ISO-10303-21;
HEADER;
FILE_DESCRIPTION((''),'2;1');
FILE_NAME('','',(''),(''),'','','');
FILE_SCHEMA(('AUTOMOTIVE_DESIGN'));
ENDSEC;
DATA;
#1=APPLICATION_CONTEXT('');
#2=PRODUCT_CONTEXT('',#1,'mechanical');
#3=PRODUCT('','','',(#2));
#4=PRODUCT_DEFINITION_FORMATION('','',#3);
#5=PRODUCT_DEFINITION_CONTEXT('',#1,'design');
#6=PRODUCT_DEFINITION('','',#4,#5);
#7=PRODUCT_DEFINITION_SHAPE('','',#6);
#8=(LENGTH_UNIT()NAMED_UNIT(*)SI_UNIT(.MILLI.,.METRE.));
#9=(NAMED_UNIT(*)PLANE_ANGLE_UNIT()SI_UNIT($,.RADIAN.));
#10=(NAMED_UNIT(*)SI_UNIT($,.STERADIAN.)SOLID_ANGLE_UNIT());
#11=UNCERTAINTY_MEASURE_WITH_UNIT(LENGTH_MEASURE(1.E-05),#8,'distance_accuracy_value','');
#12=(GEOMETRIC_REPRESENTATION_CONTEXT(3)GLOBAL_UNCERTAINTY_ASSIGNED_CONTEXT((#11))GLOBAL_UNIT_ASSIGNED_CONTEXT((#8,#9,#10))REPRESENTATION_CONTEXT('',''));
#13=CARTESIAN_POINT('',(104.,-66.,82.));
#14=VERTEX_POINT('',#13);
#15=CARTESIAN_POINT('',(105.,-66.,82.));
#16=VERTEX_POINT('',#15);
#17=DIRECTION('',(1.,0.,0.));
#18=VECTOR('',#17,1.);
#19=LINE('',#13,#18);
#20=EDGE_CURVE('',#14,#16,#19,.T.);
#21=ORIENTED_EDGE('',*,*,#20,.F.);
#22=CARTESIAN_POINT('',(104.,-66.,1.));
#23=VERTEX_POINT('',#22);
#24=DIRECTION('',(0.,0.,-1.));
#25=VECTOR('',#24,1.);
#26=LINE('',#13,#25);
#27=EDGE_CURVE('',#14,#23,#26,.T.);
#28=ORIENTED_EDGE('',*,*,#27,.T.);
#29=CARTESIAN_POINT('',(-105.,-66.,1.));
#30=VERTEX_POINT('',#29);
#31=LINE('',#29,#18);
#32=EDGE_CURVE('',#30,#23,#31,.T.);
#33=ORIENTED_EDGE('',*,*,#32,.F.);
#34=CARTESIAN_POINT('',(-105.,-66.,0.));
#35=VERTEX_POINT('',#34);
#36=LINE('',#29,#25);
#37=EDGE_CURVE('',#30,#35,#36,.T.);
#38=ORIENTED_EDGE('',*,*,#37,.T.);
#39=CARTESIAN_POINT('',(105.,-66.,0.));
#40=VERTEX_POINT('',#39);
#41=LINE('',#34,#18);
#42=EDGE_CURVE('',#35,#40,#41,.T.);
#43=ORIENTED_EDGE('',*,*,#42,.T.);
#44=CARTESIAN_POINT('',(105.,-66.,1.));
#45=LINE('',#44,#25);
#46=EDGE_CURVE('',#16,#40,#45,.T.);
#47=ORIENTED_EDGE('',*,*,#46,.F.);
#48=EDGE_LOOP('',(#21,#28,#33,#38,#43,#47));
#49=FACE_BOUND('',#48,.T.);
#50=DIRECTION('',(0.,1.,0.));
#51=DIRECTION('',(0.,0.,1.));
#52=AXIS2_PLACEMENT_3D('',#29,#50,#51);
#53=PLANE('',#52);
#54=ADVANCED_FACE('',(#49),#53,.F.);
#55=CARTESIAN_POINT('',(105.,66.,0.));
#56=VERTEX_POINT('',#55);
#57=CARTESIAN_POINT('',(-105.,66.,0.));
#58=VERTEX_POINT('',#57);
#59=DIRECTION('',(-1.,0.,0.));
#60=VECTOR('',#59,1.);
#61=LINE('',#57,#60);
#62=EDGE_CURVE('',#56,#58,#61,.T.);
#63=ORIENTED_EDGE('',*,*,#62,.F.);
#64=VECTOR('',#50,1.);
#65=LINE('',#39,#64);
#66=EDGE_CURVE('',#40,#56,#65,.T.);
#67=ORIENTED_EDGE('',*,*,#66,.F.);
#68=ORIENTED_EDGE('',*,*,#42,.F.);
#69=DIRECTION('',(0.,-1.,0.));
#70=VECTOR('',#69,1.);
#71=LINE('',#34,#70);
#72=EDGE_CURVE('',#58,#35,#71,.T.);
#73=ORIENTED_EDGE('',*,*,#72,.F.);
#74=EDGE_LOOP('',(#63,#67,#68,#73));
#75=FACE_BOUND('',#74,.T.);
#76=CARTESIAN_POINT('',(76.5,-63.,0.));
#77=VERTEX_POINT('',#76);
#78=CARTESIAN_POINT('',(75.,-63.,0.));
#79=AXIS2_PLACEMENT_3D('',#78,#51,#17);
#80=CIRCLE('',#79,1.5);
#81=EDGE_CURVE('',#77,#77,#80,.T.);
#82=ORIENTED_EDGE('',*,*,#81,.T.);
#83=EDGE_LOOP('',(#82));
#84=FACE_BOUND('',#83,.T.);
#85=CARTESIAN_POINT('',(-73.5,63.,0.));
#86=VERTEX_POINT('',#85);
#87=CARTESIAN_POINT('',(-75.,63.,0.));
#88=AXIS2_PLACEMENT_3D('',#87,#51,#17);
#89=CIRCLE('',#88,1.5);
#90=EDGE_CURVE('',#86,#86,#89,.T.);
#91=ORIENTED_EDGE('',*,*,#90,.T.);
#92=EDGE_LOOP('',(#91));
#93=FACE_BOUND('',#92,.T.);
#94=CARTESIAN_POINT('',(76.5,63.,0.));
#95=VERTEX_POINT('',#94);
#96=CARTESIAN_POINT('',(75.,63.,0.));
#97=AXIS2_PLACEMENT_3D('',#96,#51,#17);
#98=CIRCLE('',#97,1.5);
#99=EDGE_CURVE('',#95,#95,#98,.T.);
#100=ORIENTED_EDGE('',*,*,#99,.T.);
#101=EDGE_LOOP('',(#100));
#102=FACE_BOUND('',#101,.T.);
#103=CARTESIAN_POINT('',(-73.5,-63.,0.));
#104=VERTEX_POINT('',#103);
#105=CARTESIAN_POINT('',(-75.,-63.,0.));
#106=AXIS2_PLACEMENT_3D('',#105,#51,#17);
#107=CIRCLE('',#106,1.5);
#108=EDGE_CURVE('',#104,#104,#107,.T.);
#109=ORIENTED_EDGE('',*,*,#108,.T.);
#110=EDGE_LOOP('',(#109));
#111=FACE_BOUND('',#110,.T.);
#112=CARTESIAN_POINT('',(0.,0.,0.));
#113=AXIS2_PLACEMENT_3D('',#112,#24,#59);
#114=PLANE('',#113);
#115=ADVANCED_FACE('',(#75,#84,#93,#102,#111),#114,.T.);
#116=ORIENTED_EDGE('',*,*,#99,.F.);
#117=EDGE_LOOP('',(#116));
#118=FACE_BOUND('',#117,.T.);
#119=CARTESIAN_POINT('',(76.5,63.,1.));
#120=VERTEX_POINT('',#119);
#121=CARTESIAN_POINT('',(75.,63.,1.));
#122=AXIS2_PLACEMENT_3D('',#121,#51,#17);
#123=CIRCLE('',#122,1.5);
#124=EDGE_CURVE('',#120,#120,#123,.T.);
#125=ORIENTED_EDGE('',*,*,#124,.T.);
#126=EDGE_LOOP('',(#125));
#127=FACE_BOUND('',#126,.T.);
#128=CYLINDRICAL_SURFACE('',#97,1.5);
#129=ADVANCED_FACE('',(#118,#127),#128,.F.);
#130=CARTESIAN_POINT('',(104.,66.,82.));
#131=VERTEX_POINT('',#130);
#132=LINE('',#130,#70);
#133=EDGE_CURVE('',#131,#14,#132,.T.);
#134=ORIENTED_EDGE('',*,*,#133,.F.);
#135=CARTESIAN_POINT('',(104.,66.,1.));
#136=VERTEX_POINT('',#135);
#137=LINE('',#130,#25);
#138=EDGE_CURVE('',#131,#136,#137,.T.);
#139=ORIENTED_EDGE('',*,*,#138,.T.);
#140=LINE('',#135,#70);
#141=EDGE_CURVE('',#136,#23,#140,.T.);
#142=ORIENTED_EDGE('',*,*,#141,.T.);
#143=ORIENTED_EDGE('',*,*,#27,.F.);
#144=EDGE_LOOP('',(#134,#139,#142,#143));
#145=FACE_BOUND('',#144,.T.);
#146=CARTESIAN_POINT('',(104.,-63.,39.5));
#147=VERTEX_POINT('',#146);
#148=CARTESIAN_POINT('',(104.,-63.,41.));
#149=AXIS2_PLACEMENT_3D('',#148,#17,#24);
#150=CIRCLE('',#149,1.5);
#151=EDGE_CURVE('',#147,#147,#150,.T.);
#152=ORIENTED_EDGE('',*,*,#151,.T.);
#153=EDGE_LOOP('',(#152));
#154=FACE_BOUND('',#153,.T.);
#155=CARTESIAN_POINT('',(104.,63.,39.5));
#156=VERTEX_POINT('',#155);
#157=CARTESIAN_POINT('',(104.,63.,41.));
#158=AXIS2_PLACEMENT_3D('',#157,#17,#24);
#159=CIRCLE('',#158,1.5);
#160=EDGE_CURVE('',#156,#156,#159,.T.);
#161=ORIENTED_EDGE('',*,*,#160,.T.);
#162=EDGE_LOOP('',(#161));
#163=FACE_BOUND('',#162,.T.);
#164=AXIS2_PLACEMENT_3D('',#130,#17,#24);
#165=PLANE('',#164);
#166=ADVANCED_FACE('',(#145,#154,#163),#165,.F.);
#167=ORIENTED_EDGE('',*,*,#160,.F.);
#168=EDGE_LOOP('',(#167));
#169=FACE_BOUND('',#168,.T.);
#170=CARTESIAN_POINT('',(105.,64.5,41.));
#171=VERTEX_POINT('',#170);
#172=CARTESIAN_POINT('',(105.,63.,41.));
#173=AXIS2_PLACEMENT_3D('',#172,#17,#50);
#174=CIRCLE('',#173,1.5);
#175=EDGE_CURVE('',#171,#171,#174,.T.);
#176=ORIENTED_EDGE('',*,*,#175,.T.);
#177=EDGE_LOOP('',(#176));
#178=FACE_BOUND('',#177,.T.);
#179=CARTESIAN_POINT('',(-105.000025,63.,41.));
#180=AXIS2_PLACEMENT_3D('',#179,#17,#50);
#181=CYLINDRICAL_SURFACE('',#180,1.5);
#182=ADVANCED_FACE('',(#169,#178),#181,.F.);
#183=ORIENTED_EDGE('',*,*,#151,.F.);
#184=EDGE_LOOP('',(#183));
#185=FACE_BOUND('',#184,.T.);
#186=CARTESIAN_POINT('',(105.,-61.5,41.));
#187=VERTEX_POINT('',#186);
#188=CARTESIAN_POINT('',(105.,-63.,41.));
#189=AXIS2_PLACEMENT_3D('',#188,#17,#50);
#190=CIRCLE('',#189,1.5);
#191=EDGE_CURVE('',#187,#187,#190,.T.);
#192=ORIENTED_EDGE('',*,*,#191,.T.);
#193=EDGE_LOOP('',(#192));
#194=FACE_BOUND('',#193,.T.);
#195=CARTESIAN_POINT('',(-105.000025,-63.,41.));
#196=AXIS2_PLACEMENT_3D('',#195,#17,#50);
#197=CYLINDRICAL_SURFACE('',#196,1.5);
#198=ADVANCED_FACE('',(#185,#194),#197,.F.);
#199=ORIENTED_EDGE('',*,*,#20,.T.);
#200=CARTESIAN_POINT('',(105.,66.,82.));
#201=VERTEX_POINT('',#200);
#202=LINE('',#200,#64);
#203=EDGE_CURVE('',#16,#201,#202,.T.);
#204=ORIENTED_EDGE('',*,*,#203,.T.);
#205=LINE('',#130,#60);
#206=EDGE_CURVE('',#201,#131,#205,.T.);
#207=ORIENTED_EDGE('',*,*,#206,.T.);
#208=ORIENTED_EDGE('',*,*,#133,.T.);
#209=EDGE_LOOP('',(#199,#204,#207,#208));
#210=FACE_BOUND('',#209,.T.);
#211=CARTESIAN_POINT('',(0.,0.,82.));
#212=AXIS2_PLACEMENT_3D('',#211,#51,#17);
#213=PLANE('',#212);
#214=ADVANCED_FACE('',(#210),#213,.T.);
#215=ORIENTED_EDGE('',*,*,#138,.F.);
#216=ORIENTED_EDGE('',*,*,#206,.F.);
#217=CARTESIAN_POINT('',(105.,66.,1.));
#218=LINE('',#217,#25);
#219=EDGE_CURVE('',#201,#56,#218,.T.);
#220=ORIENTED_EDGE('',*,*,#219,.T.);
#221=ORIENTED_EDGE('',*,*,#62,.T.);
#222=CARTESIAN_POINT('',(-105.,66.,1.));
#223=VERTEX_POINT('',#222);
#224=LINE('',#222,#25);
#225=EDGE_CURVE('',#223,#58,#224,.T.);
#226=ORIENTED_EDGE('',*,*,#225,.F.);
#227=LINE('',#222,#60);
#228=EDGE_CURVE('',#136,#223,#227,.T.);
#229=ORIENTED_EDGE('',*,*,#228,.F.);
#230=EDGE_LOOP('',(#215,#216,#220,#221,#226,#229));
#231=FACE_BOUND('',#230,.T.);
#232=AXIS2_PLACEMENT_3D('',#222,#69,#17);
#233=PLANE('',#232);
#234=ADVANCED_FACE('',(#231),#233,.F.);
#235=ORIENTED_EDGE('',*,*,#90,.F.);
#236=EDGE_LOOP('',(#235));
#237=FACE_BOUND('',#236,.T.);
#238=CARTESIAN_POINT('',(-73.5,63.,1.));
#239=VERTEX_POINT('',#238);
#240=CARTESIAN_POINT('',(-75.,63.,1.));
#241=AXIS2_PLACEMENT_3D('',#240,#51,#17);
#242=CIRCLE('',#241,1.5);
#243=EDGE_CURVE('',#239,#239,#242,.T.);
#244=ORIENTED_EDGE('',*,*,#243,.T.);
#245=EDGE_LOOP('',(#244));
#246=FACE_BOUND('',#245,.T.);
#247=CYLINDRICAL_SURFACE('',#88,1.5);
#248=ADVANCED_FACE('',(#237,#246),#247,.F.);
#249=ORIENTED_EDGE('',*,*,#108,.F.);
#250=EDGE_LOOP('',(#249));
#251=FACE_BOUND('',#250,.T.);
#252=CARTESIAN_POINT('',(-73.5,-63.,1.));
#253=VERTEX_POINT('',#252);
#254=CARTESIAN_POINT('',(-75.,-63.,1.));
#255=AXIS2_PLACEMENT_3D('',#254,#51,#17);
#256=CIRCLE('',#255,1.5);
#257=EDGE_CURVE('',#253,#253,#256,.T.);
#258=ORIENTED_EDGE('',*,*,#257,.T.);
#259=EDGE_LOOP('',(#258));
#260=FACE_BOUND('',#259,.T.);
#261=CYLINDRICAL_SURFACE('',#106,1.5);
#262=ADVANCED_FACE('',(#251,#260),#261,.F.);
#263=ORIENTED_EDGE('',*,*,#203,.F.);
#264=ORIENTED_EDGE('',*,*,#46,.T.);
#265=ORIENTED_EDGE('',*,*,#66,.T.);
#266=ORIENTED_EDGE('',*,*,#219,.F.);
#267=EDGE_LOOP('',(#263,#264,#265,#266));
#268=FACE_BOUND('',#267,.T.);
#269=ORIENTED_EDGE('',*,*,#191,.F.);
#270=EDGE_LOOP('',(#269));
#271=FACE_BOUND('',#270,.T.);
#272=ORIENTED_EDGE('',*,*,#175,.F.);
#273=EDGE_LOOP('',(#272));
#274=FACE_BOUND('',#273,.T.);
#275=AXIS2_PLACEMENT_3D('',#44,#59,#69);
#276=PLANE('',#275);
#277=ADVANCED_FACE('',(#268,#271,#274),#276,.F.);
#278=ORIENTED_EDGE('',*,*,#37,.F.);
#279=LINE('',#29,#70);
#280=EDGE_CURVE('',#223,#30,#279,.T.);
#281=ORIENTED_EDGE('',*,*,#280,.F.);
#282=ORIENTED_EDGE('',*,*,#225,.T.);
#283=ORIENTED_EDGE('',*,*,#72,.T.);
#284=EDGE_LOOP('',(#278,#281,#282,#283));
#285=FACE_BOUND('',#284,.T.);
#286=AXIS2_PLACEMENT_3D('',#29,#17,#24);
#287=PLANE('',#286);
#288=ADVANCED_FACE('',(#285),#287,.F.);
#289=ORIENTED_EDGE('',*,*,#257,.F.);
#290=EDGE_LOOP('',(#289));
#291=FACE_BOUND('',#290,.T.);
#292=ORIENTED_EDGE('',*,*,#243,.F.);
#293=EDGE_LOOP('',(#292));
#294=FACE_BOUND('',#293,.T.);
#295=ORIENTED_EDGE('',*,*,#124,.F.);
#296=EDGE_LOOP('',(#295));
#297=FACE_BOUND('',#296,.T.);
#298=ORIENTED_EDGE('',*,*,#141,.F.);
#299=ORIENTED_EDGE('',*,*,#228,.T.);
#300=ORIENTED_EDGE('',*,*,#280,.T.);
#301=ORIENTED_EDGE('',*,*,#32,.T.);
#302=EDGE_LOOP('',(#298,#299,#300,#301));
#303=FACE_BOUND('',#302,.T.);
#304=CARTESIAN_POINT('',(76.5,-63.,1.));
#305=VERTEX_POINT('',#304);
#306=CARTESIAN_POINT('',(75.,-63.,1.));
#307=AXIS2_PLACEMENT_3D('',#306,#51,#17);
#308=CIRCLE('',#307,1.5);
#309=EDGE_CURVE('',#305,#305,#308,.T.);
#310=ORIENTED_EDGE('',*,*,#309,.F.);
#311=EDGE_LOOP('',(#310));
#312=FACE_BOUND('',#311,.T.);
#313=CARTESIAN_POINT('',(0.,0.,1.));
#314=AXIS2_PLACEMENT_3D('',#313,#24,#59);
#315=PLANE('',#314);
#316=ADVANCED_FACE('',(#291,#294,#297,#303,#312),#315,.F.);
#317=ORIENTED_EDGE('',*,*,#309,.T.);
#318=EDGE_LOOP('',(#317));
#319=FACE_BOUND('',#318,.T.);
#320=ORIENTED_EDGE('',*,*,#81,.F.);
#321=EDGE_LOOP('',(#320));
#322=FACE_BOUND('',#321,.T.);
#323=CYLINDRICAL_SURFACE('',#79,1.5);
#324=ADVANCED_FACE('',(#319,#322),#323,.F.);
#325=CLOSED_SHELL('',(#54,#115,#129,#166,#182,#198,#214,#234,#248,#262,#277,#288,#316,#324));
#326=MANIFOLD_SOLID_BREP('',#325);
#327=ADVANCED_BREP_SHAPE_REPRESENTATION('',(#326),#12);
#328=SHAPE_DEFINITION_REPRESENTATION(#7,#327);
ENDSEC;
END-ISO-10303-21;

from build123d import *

# Parameters (mm, degrees)
SKETCH_1_W          = 210
SKETCH_1_H          = 132
EXTRUDE_1_DEPTH     = 1
SKETCH_3_W          = 1
SKETCH_3_H          = 132
EXTRUDE_2_DEPTH     = 81
SKETCH_2_R          = 1.5
CUT_EXTRUDE_1_DEPTH = 1
SKETCH_4_R          = 1.5
CUT_EXTRUDE_2_DEPTH = 211


with BuildPart() as part:
    # 草图1 → 凸台-拉伸1 (new body)
    with BuildSketch(Plane.XY):
        Rectangle(SKETCH_1_W, SKETCH_1_H)
    extrude(amount=EXTRUDE_1_DEPTH)

    # 草图3 → 凸台-拉伸2 (add)
    with BuildSketch(Plane.XY.offset(1)):
        with Locations((104.5, 0)):
            Rectangle(SKETCH_3_W, SKETCH_3_H)
    extrude(amount=EXTRUDE_2_DEPTH)

    # 草图2 → 切除-拉伸1 (cut)
    with BuildSketch(Plane.XY.offset(1)):
        with Locations((-75, 63)):
            Circle(SKETCH_2_R)
        with Locations((75, 63)):
            Circle(SKETCH_2_R)
        with Locations((75, -63)):
            Circle(SKETCH_2_R)
        with Locations((-75, -63)):
            Circle(SKETCH_2_R)
    extrude(amount=-CUT_EXTRUDE_1_DEPTH, mode=Mode.SUBTRACT)

    # 草图4 → 切除-拉伸2 (cut, through all)
    with BuildSketch(Plane(origin=(105, 0, 0), x_dir=(0, 0, -1), z_dir=(1, 0, 0))):
        with Locations((-41, 63)):
            Circle(SKETCH_4_R)
        with Locations((-41, -63)):
            Circle(SKETCH_4_R)
    extrude(amount=-CUT_EXTRUDE_2_DEPTH, mode=Mode.SUBTRACT)


solid = part.part
